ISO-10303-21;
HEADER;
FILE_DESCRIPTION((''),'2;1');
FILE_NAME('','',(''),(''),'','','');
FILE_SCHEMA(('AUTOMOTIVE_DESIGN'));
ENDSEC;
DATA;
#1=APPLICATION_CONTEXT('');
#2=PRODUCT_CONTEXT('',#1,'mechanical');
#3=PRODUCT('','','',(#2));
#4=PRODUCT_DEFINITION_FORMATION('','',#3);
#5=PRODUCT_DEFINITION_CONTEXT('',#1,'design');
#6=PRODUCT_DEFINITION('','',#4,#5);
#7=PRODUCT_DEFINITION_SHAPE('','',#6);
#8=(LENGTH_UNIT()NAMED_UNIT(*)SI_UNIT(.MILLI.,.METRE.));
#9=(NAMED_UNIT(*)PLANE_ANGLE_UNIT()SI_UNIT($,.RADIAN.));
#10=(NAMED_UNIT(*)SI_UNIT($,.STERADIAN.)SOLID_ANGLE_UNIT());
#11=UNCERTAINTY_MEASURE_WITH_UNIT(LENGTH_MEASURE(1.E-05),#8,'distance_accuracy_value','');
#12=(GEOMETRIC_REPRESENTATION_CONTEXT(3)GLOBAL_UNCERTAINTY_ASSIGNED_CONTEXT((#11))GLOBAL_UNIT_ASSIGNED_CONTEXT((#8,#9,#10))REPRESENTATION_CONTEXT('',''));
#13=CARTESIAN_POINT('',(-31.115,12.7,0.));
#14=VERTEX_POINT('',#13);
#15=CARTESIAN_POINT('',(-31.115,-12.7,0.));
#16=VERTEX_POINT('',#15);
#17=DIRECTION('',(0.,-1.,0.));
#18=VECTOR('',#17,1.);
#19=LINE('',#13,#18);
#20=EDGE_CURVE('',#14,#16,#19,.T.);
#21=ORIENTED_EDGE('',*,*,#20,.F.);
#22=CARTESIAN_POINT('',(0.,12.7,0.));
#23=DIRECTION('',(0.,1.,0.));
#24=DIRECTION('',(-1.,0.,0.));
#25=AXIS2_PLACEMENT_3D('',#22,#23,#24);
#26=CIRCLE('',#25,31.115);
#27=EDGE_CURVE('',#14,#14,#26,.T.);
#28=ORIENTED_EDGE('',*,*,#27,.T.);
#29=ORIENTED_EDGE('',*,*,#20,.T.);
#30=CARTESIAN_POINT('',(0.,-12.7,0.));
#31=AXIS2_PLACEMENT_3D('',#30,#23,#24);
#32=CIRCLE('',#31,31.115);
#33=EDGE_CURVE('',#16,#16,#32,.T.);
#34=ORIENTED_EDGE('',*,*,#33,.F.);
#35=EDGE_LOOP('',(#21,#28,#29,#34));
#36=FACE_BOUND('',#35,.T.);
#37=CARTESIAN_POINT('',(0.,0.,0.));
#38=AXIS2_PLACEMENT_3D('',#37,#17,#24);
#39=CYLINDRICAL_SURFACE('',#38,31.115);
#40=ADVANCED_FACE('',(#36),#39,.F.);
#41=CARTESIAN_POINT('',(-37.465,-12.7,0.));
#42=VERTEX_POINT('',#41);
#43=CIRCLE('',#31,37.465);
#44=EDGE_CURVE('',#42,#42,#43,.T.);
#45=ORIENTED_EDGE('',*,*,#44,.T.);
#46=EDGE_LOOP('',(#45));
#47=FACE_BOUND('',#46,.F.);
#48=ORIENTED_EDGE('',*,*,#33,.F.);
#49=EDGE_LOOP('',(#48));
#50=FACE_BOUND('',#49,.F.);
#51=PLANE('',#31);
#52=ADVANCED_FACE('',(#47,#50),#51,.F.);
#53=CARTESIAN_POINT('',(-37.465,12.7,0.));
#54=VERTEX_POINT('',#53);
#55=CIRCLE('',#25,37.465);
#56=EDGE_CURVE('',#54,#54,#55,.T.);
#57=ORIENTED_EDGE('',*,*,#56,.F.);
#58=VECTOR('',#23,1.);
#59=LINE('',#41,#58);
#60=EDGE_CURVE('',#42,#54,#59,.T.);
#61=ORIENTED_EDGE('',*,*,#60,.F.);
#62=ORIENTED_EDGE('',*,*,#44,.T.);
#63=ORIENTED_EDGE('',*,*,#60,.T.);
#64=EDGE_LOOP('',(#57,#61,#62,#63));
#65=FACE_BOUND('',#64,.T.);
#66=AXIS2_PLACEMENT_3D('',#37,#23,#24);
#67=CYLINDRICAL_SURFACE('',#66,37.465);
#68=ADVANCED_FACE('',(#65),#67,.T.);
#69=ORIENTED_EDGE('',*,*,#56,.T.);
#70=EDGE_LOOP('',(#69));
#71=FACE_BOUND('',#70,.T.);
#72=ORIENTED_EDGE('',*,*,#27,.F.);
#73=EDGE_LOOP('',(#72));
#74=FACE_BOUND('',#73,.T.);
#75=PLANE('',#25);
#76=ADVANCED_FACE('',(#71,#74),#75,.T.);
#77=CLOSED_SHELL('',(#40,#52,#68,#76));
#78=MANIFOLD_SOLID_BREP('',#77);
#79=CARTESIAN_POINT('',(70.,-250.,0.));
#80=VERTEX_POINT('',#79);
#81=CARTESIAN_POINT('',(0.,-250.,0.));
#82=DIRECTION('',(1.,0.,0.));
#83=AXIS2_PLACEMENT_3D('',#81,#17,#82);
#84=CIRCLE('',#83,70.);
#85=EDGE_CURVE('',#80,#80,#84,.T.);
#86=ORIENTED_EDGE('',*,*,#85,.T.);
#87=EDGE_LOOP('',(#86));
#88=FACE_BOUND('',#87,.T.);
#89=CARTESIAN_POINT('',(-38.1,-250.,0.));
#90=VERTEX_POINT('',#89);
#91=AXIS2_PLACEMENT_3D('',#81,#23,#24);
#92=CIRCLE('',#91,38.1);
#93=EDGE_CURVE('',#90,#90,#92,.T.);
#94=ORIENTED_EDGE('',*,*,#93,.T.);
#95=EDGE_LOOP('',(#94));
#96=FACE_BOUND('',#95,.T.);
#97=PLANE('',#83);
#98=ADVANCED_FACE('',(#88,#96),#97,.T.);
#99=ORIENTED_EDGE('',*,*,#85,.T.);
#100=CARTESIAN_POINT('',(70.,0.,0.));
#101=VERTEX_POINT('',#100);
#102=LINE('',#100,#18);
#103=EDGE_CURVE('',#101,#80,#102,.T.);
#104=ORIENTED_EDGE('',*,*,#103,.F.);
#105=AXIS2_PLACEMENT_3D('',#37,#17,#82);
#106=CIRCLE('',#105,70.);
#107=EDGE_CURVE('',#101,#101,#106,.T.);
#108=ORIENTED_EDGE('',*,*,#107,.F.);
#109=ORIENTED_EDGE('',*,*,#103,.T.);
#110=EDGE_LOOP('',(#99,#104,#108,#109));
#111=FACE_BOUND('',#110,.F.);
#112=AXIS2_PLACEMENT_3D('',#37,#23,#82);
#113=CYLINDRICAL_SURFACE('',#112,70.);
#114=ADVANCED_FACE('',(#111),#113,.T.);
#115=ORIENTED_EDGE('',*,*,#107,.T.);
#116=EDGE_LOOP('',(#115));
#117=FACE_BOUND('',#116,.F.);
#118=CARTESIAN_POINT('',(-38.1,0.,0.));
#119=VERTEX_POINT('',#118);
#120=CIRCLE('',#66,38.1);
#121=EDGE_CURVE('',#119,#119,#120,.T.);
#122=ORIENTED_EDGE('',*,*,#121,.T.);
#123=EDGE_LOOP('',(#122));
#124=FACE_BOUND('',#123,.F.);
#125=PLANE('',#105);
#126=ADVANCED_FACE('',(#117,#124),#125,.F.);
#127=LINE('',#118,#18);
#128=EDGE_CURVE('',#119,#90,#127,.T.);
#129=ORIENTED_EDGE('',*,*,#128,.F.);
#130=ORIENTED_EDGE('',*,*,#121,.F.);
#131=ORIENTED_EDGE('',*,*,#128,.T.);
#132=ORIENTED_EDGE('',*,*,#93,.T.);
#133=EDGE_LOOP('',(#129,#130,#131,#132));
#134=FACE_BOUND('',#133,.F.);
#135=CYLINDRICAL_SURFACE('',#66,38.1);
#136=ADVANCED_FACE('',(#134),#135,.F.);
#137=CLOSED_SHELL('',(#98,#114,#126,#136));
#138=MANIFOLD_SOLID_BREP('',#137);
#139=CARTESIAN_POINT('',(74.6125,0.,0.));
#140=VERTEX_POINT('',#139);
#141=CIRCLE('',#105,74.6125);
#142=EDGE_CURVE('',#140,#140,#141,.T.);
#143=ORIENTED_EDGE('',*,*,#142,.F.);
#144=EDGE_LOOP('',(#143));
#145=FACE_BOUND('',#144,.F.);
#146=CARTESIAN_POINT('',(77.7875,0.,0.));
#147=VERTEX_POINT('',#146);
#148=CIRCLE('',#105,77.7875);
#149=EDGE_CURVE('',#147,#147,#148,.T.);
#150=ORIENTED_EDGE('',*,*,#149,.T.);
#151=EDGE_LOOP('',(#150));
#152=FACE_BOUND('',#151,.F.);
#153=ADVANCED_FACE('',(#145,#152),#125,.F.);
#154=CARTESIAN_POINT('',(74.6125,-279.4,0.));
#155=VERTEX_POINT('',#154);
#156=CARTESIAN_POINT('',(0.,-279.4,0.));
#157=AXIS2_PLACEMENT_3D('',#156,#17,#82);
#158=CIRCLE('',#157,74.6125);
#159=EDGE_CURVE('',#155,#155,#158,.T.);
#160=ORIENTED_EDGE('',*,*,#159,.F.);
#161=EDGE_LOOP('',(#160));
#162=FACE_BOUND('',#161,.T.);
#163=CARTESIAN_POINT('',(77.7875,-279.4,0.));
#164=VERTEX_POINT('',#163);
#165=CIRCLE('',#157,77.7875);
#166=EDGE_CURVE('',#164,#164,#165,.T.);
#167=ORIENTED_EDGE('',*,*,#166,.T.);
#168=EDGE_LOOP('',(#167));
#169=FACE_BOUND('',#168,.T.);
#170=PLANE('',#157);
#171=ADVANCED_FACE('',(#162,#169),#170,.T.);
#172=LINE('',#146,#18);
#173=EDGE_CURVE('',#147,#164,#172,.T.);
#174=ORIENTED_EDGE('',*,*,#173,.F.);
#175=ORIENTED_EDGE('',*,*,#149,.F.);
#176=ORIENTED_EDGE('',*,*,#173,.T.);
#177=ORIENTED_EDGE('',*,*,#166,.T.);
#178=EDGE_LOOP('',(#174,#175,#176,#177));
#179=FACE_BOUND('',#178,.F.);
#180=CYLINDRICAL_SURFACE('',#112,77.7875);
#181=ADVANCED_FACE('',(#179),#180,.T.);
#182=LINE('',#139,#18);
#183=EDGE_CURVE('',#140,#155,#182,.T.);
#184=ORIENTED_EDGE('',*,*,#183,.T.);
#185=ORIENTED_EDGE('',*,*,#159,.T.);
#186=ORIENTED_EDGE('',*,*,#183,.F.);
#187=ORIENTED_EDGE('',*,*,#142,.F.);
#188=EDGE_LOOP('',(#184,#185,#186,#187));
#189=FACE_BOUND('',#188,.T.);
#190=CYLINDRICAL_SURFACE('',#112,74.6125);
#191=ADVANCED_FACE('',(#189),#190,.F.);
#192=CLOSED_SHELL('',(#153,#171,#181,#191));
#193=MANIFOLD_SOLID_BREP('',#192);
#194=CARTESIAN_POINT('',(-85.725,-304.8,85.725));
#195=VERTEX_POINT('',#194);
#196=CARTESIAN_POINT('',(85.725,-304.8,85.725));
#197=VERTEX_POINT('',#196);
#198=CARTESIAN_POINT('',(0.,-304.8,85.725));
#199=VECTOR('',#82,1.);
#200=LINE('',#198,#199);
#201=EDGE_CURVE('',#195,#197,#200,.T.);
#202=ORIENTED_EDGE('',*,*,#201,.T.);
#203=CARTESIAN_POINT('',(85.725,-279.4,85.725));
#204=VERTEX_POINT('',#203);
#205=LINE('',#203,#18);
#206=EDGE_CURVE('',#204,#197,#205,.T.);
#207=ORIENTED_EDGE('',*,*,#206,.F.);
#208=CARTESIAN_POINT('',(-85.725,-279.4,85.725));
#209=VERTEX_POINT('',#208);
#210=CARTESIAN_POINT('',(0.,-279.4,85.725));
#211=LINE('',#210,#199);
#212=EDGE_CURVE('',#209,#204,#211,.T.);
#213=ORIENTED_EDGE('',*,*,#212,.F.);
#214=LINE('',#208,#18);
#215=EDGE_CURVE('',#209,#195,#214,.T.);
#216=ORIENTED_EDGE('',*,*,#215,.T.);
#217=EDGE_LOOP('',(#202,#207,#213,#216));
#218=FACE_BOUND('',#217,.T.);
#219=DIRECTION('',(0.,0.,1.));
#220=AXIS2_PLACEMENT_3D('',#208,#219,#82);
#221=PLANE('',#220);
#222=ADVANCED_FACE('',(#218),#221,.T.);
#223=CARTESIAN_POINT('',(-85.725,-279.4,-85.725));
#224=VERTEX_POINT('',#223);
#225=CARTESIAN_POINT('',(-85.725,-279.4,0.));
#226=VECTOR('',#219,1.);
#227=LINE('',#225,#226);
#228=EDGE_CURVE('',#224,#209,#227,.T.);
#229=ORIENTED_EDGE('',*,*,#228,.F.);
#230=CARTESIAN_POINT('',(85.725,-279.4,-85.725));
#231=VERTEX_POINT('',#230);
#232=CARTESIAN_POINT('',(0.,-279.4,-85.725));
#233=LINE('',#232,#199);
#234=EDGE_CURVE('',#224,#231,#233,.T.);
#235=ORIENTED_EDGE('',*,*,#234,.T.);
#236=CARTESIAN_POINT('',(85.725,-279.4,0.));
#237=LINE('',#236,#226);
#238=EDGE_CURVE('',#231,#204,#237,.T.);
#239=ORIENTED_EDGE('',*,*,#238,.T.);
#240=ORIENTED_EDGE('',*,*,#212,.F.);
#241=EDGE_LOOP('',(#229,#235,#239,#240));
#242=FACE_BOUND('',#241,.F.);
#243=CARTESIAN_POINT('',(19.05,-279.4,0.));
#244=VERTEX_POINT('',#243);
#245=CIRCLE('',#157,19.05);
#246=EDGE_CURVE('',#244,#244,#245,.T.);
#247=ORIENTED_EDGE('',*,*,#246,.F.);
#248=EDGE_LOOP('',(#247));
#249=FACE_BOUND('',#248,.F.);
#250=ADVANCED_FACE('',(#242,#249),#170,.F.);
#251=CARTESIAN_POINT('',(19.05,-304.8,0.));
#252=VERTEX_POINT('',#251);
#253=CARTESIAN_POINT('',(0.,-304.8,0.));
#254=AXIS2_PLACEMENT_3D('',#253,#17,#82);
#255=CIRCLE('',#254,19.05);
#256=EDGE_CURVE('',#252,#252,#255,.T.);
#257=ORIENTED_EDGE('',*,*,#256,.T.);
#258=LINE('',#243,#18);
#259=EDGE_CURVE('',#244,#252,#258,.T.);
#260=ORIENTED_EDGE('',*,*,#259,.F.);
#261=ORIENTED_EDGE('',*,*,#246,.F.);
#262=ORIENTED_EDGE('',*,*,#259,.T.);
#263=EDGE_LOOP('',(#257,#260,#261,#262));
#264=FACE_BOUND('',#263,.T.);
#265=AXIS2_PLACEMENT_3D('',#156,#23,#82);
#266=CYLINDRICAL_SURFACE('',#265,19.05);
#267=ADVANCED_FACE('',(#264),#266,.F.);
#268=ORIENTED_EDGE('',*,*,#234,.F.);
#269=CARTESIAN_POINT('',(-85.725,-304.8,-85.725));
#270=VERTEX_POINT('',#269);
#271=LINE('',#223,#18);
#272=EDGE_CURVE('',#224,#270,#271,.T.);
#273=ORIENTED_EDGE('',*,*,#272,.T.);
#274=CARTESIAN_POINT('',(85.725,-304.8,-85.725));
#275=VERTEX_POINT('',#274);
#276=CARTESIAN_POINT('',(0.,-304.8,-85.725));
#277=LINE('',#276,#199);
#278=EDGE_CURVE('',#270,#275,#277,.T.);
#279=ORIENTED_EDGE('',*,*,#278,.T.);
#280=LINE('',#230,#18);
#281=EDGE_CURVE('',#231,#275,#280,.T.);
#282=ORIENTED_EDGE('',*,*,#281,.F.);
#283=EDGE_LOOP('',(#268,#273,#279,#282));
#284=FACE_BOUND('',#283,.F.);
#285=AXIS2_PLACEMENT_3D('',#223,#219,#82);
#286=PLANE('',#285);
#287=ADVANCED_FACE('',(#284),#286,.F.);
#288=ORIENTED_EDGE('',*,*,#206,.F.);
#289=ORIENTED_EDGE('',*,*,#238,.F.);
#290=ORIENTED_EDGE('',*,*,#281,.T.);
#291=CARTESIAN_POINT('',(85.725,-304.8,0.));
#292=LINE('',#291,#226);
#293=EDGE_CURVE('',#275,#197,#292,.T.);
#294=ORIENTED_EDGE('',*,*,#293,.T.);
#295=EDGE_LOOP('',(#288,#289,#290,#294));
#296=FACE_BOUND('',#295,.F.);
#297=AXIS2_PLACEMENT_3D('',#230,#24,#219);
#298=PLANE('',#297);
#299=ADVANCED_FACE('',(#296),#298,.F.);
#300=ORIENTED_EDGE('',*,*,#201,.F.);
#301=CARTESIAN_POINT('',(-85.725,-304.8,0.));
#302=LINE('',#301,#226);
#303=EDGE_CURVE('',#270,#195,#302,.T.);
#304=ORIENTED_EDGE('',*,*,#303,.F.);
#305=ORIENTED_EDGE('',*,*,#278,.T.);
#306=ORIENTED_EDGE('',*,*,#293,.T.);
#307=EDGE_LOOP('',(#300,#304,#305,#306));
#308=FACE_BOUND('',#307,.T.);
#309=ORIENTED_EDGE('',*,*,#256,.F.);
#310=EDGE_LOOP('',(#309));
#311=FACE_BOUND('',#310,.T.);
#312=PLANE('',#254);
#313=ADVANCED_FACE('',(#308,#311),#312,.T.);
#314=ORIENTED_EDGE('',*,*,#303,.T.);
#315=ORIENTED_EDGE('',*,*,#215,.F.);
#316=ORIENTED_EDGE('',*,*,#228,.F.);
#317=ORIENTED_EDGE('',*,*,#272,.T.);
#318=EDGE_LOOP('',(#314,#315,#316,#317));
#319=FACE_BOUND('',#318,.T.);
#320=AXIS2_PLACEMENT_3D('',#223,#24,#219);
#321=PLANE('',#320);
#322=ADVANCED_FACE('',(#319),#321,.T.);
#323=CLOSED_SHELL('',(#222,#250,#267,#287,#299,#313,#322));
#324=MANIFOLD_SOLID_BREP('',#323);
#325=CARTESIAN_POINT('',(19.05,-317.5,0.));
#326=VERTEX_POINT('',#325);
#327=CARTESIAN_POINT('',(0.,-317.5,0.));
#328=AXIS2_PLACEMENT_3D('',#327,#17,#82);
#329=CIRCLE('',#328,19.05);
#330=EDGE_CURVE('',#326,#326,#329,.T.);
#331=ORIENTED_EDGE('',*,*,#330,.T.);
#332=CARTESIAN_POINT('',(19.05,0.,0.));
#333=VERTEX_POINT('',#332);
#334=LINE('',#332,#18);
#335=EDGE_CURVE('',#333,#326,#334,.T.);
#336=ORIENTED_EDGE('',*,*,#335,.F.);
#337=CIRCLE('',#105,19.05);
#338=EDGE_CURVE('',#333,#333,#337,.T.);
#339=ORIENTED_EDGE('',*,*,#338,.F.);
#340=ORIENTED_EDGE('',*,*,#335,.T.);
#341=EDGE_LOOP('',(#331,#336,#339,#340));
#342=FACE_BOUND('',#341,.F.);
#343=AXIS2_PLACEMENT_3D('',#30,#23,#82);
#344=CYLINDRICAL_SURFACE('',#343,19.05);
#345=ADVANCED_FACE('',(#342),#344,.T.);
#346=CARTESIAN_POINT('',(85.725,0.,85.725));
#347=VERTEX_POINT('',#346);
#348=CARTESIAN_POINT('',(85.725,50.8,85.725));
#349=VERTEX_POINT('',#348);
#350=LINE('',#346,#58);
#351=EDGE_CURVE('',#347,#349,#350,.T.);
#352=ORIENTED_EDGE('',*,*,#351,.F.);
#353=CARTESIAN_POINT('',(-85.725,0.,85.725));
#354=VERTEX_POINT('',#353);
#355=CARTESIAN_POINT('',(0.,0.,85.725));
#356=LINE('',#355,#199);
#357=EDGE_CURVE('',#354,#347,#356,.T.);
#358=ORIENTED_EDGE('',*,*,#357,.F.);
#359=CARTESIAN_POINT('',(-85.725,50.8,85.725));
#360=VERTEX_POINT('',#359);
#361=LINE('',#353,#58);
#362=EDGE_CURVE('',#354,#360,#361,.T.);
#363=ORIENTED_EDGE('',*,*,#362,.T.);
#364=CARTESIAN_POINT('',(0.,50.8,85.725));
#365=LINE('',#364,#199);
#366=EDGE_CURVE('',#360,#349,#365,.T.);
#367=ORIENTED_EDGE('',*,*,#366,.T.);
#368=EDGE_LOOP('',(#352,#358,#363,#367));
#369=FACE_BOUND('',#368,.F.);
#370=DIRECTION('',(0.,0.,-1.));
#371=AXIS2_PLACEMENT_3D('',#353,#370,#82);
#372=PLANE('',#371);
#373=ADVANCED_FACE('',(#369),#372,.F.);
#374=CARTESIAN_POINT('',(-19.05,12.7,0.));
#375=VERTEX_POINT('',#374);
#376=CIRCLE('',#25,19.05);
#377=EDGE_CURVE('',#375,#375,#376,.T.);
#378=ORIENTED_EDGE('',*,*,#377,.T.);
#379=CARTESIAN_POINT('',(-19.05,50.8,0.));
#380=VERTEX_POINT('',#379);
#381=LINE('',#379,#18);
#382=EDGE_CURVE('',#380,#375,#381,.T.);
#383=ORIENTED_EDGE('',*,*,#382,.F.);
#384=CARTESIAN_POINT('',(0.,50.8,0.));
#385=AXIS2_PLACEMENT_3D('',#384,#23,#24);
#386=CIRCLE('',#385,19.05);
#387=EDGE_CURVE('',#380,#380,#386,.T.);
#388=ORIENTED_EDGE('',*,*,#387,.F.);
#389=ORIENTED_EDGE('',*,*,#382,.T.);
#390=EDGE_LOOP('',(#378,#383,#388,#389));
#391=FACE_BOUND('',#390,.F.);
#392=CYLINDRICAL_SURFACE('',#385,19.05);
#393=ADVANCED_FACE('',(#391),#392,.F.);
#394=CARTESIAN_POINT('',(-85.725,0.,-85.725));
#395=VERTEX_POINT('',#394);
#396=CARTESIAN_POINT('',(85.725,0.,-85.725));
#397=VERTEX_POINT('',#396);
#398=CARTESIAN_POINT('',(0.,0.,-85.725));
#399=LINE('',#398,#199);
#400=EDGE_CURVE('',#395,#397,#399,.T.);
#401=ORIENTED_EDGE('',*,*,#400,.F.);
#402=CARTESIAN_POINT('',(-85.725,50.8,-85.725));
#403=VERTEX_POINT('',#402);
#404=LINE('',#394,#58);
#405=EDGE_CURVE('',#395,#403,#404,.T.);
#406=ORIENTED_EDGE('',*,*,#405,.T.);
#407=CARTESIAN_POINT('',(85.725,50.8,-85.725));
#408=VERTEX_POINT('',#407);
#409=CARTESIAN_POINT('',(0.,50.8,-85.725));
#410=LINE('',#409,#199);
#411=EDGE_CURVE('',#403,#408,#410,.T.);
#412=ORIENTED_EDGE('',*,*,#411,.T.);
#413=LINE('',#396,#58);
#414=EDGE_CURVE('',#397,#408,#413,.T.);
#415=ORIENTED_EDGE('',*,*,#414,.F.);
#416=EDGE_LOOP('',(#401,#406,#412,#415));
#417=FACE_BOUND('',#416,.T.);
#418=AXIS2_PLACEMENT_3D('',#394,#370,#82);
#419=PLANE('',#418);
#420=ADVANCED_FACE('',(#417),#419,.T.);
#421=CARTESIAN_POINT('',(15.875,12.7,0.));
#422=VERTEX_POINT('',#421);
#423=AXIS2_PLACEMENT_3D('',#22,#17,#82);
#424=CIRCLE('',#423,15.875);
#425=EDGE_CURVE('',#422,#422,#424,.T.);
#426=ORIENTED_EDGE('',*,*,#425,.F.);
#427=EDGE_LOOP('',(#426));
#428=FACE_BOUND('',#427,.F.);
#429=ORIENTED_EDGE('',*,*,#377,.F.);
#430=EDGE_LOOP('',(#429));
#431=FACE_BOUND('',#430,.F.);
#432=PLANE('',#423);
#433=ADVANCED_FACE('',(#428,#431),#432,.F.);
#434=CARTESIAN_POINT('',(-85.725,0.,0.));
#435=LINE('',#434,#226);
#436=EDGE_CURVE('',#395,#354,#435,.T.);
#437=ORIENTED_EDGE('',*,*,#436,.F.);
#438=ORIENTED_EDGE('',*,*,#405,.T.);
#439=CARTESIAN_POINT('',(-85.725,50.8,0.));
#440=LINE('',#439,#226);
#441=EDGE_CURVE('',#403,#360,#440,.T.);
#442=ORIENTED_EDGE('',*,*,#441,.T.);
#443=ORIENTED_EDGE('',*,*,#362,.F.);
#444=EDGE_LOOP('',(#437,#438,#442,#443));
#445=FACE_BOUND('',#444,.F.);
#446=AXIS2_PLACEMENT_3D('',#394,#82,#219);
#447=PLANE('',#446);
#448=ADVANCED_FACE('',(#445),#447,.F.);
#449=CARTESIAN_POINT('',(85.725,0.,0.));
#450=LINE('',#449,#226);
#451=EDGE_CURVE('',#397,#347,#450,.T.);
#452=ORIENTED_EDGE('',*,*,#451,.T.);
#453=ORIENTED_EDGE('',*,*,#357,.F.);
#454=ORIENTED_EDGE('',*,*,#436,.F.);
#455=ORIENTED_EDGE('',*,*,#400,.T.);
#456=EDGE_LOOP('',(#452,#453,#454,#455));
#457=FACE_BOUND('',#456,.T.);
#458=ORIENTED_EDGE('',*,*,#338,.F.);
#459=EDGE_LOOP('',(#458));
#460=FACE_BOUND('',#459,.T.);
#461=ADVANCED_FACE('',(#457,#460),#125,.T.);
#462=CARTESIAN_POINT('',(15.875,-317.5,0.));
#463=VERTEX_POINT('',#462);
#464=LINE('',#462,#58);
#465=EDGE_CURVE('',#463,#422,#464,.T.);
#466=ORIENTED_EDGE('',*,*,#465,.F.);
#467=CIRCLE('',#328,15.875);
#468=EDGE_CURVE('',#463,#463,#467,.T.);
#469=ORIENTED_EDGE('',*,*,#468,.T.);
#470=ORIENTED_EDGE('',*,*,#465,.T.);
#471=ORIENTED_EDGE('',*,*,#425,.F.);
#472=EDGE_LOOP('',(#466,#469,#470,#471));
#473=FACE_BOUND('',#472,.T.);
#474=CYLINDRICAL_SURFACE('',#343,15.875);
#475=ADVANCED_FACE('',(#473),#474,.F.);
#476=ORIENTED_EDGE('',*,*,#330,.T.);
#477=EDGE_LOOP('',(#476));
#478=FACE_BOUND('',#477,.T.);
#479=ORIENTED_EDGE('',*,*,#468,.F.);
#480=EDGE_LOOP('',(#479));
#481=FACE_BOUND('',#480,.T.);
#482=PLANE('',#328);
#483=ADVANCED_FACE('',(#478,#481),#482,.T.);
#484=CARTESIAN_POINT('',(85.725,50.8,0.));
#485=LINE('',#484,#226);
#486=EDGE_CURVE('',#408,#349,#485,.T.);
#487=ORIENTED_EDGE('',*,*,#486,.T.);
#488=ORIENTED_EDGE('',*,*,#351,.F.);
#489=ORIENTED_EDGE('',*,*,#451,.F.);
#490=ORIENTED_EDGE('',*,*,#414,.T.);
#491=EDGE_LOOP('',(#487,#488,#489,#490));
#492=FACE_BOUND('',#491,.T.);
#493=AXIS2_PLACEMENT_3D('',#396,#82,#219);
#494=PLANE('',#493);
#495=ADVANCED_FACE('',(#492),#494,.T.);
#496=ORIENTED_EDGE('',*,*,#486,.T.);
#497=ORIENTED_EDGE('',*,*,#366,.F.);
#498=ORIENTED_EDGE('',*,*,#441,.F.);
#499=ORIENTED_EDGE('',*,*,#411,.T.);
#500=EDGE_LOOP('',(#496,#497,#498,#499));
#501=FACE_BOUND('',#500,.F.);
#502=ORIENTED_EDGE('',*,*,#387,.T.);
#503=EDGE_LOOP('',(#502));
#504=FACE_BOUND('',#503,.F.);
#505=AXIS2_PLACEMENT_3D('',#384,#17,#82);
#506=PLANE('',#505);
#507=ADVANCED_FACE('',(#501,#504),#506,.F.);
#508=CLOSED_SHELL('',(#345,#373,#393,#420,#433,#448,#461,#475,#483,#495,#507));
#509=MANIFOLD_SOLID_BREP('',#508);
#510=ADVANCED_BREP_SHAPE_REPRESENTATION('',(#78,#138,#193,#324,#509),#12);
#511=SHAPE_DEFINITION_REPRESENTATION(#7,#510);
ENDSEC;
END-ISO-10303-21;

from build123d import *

# Parameters (mm, degrees)
F0_R      = 70
F1_DEPTH  = 250
F2_R      = 38.1
F3_DEPTH  = 250.001
F4_R      = 37.465
F4_R_2    = 31.115
F5_DEPTH  = 12.7
F6_R      = 77.7875
F6_R_2    = 74.6125
F7_DEPTH  = 279.4
F8_W      = 171.45
F8_H      = 171.45
F9_DEPTH  = 50.8
F10_R     = 19.05
F11_DEPTH = 330.201
F12_R     = 19.05
F12_R_2   = 15.875
F13_DEPTH = 12.7
F14_R     = 19.05
F14_R_2   = 15.875
F15_DEPTH = 304.8
F16_W     = 171.45
F16_H     = 171.45
F16_R     = 19.05
F17_DEPTH = 25.4


with BuildPart() as f1:
    # F0 (on Front) → F1 (new body)
    with BuildSketch(Plane.XZ):
        Circle(F0_R)
    extrude(amount=F1_DEPTH)

    # F2 (on face) → F3 (cut, through all)
    with BuildSketch(Plane(origin=(0, 0, 0), x_dir=(-1, 0, 0), z_dir=(0, 1, 0))):
        Circle(F2_R)
    extrude(amount=-F3_DEPTH, mode=Mode.SUBTRACT)


with BuildPart() as f5:
    # F4 (on face) → F5 (new body, symmetric)
    with BuildSketch(Plane(origin=(0, 0, 0), x_dir=(-1, 0, 0), z_dir=(0, 1, 0))):
        Circle(F4_R)
        Circle(F4_R_2, mode=Mode.SUBTRACT)
    extrude(amount=F5_DEPTH, both=True)


with BuildPart() as f7:
    # F6 (on Front) → F7 (new body)
    with BuildSketch(Plane.XZ):
        Circle(F6_R)
        Circle(F6_R_2, mode=Mode.SUBTRACT)
    extrude(amount=F7_DEPTH)


with BuildPart() as f9:
    # F8 (on Front) → F9 (new body)
    with BuildSketch(Plane.XZ):
        Rectangle(F8_W, F8_H)
    extrude(amount=-F9_DEPTH)

    # F10 (on face) → F11 (cut, through all)
    with BuildSketch(Plane(origin=(0, 50.8, 0), x_dir=(-1, 0, 0), z_dir=(0, 1, 0))):
        Circle(F10_R)
    extrude(amount=-F11_DEPTH, mode=Mode.SUBTRACT)

    # F12 (on face) → F13 (join, symmetric)
    with BuildSketch(Plane.XZ):
        Circle(F12_R)
        Circle(F12_R_2, mode=Mode.SUBTRACT)
    extrude(amount=F13_DEPTH, both=True)

    # F14 (on face) → F15 (join)
    with BuildSketch(Plane.XZ.offset(12.7)):
        Circle(F14_R)
        Circle(F14_R_2, mode=Mode.SUBTRACT)
    extrude(amount=F15_DEPTH)


with BuildPart() as f17:
    # F16 (on face) → F17 (new body)
    with BuildSketch(Plane.XZ.offset(279.4)):
        Rectangle(F16_W, F16_H)
        Circle(F16_R, mode=Mode.SUBTRACT)
    extrude(amount=F17_DEPTH)


solid = Compound([f1.part, f5.part, f7.part, f9.part, f17.part])
